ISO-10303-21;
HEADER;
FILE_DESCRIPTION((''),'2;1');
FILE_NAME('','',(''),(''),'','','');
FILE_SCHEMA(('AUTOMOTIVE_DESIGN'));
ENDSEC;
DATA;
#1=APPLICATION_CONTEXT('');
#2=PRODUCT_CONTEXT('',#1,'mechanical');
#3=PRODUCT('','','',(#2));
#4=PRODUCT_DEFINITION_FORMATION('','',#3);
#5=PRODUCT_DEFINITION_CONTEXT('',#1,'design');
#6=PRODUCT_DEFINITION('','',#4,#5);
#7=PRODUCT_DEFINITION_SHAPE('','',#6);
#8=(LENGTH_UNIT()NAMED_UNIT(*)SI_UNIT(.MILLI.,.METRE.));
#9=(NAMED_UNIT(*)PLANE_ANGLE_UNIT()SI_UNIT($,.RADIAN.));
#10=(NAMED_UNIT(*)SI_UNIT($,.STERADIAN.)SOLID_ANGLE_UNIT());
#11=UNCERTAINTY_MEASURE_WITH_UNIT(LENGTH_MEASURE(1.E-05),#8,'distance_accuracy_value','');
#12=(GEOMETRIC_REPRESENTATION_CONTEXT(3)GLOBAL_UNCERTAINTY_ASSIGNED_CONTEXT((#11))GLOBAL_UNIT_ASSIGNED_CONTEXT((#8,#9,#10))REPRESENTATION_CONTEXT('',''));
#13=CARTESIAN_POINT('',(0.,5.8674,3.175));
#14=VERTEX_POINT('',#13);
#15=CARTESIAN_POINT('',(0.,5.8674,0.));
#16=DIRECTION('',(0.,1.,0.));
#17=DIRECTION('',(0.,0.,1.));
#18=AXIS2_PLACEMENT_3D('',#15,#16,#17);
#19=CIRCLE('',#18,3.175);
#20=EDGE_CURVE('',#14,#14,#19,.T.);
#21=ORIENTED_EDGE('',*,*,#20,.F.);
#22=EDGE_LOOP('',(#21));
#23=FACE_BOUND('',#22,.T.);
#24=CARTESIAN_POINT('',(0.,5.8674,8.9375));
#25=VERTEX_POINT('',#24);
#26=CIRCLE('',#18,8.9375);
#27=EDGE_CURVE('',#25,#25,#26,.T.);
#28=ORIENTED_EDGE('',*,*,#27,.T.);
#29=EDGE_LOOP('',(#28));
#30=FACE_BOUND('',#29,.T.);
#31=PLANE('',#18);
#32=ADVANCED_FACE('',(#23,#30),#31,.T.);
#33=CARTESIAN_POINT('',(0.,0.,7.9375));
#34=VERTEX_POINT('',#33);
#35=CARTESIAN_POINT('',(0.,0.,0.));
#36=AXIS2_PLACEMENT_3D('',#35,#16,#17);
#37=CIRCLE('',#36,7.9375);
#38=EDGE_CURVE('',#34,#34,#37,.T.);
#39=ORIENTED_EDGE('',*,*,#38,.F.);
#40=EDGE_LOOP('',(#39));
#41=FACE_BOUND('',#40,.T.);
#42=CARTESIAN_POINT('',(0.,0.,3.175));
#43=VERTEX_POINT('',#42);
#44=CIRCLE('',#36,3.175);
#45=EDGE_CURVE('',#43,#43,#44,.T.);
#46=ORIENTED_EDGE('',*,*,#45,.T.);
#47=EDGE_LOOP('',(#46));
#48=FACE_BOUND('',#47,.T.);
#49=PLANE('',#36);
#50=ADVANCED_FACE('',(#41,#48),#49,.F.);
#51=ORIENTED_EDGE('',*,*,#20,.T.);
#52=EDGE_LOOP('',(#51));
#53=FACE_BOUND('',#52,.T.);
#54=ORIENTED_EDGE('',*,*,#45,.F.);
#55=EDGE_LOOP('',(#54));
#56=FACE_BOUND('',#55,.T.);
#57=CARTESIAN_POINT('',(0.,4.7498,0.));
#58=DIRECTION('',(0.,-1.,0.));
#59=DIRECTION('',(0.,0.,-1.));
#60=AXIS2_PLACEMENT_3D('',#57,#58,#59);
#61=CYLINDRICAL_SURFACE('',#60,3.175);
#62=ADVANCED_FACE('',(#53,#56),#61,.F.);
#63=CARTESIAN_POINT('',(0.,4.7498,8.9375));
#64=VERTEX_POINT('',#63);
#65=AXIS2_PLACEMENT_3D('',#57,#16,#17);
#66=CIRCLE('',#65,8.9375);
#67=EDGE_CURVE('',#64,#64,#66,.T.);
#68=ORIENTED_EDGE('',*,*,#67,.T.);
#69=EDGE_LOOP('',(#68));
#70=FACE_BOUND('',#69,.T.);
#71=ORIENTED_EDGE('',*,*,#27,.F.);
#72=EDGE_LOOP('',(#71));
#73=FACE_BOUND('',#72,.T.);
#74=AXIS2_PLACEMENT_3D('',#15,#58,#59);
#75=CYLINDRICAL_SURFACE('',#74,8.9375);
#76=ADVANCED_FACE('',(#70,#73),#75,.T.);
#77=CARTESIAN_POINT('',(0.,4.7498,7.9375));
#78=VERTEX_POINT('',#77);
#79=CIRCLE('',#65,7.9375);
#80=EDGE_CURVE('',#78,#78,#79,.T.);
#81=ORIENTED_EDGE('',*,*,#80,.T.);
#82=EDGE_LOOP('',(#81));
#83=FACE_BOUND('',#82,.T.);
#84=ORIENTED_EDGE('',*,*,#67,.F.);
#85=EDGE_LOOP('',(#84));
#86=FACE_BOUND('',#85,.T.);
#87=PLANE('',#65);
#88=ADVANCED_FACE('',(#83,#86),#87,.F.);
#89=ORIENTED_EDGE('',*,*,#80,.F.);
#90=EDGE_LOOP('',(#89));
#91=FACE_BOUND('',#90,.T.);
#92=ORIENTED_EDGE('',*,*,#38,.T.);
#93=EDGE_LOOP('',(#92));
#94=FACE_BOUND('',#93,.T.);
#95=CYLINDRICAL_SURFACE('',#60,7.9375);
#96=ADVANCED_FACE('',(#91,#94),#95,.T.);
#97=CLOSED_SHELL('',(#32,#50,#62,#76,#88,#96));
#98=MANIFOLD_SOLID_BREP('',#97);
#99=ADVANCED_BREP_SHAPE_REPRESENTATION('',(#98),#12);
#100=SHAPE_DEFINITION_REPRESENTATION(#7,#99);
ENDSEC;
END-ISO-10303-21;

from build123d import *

# Parameters (mm, degrees)
SKETCH1_R           = 7.9375
SKETCH1_R_2         = 3.175
BOSS_EXTRUDE1_DEPTH = 4.7498
SKETCH2_R           = 8.9375
SKETCH2_R_2         = 3.175
BOSS_EXTRUDE2_DEPTH = 1.1176


with BuildPart() as part:
    # Sketch1 → Boss-Extrude1 (new body)
    with BuildSketch(Plane(origin=(0, 0, 0), x_dir=(1, 0, 0), z_dir=(0, 1, 0))):
        with Locations(Location((0, 0, 0), (0, 0, 270))):
            Circle(SKETCH1_R)
        with Locations(Location((0, 0, 0), (0, 0, 270))):
            Circle(SKETCH1_R_2, mode=Mode.SUBTRACT)
    extrude(amount=BOSS_EXTRUDE1_DEPTH)

    # Sketch2 → Boss-Extrude2 (add)
    with BuildSketch(Plane(origin=(0, 4.7498, 0), x_dir=(1, 0, 0), z_dir=(0, 1, 0))):
        with Locations(Location((0, 0, 0), (0, 0, 270))):
            Circle(SKETCH2_R)
        with Locations(Location((0, 0, 0), (0, 0, 270))):
            Circle(SKETCH2_R_2, mode=Mode.SUBTRACT)
    extrude(amount=BOSS_EXTRUDE2_DEPTH)


solid = part.part
